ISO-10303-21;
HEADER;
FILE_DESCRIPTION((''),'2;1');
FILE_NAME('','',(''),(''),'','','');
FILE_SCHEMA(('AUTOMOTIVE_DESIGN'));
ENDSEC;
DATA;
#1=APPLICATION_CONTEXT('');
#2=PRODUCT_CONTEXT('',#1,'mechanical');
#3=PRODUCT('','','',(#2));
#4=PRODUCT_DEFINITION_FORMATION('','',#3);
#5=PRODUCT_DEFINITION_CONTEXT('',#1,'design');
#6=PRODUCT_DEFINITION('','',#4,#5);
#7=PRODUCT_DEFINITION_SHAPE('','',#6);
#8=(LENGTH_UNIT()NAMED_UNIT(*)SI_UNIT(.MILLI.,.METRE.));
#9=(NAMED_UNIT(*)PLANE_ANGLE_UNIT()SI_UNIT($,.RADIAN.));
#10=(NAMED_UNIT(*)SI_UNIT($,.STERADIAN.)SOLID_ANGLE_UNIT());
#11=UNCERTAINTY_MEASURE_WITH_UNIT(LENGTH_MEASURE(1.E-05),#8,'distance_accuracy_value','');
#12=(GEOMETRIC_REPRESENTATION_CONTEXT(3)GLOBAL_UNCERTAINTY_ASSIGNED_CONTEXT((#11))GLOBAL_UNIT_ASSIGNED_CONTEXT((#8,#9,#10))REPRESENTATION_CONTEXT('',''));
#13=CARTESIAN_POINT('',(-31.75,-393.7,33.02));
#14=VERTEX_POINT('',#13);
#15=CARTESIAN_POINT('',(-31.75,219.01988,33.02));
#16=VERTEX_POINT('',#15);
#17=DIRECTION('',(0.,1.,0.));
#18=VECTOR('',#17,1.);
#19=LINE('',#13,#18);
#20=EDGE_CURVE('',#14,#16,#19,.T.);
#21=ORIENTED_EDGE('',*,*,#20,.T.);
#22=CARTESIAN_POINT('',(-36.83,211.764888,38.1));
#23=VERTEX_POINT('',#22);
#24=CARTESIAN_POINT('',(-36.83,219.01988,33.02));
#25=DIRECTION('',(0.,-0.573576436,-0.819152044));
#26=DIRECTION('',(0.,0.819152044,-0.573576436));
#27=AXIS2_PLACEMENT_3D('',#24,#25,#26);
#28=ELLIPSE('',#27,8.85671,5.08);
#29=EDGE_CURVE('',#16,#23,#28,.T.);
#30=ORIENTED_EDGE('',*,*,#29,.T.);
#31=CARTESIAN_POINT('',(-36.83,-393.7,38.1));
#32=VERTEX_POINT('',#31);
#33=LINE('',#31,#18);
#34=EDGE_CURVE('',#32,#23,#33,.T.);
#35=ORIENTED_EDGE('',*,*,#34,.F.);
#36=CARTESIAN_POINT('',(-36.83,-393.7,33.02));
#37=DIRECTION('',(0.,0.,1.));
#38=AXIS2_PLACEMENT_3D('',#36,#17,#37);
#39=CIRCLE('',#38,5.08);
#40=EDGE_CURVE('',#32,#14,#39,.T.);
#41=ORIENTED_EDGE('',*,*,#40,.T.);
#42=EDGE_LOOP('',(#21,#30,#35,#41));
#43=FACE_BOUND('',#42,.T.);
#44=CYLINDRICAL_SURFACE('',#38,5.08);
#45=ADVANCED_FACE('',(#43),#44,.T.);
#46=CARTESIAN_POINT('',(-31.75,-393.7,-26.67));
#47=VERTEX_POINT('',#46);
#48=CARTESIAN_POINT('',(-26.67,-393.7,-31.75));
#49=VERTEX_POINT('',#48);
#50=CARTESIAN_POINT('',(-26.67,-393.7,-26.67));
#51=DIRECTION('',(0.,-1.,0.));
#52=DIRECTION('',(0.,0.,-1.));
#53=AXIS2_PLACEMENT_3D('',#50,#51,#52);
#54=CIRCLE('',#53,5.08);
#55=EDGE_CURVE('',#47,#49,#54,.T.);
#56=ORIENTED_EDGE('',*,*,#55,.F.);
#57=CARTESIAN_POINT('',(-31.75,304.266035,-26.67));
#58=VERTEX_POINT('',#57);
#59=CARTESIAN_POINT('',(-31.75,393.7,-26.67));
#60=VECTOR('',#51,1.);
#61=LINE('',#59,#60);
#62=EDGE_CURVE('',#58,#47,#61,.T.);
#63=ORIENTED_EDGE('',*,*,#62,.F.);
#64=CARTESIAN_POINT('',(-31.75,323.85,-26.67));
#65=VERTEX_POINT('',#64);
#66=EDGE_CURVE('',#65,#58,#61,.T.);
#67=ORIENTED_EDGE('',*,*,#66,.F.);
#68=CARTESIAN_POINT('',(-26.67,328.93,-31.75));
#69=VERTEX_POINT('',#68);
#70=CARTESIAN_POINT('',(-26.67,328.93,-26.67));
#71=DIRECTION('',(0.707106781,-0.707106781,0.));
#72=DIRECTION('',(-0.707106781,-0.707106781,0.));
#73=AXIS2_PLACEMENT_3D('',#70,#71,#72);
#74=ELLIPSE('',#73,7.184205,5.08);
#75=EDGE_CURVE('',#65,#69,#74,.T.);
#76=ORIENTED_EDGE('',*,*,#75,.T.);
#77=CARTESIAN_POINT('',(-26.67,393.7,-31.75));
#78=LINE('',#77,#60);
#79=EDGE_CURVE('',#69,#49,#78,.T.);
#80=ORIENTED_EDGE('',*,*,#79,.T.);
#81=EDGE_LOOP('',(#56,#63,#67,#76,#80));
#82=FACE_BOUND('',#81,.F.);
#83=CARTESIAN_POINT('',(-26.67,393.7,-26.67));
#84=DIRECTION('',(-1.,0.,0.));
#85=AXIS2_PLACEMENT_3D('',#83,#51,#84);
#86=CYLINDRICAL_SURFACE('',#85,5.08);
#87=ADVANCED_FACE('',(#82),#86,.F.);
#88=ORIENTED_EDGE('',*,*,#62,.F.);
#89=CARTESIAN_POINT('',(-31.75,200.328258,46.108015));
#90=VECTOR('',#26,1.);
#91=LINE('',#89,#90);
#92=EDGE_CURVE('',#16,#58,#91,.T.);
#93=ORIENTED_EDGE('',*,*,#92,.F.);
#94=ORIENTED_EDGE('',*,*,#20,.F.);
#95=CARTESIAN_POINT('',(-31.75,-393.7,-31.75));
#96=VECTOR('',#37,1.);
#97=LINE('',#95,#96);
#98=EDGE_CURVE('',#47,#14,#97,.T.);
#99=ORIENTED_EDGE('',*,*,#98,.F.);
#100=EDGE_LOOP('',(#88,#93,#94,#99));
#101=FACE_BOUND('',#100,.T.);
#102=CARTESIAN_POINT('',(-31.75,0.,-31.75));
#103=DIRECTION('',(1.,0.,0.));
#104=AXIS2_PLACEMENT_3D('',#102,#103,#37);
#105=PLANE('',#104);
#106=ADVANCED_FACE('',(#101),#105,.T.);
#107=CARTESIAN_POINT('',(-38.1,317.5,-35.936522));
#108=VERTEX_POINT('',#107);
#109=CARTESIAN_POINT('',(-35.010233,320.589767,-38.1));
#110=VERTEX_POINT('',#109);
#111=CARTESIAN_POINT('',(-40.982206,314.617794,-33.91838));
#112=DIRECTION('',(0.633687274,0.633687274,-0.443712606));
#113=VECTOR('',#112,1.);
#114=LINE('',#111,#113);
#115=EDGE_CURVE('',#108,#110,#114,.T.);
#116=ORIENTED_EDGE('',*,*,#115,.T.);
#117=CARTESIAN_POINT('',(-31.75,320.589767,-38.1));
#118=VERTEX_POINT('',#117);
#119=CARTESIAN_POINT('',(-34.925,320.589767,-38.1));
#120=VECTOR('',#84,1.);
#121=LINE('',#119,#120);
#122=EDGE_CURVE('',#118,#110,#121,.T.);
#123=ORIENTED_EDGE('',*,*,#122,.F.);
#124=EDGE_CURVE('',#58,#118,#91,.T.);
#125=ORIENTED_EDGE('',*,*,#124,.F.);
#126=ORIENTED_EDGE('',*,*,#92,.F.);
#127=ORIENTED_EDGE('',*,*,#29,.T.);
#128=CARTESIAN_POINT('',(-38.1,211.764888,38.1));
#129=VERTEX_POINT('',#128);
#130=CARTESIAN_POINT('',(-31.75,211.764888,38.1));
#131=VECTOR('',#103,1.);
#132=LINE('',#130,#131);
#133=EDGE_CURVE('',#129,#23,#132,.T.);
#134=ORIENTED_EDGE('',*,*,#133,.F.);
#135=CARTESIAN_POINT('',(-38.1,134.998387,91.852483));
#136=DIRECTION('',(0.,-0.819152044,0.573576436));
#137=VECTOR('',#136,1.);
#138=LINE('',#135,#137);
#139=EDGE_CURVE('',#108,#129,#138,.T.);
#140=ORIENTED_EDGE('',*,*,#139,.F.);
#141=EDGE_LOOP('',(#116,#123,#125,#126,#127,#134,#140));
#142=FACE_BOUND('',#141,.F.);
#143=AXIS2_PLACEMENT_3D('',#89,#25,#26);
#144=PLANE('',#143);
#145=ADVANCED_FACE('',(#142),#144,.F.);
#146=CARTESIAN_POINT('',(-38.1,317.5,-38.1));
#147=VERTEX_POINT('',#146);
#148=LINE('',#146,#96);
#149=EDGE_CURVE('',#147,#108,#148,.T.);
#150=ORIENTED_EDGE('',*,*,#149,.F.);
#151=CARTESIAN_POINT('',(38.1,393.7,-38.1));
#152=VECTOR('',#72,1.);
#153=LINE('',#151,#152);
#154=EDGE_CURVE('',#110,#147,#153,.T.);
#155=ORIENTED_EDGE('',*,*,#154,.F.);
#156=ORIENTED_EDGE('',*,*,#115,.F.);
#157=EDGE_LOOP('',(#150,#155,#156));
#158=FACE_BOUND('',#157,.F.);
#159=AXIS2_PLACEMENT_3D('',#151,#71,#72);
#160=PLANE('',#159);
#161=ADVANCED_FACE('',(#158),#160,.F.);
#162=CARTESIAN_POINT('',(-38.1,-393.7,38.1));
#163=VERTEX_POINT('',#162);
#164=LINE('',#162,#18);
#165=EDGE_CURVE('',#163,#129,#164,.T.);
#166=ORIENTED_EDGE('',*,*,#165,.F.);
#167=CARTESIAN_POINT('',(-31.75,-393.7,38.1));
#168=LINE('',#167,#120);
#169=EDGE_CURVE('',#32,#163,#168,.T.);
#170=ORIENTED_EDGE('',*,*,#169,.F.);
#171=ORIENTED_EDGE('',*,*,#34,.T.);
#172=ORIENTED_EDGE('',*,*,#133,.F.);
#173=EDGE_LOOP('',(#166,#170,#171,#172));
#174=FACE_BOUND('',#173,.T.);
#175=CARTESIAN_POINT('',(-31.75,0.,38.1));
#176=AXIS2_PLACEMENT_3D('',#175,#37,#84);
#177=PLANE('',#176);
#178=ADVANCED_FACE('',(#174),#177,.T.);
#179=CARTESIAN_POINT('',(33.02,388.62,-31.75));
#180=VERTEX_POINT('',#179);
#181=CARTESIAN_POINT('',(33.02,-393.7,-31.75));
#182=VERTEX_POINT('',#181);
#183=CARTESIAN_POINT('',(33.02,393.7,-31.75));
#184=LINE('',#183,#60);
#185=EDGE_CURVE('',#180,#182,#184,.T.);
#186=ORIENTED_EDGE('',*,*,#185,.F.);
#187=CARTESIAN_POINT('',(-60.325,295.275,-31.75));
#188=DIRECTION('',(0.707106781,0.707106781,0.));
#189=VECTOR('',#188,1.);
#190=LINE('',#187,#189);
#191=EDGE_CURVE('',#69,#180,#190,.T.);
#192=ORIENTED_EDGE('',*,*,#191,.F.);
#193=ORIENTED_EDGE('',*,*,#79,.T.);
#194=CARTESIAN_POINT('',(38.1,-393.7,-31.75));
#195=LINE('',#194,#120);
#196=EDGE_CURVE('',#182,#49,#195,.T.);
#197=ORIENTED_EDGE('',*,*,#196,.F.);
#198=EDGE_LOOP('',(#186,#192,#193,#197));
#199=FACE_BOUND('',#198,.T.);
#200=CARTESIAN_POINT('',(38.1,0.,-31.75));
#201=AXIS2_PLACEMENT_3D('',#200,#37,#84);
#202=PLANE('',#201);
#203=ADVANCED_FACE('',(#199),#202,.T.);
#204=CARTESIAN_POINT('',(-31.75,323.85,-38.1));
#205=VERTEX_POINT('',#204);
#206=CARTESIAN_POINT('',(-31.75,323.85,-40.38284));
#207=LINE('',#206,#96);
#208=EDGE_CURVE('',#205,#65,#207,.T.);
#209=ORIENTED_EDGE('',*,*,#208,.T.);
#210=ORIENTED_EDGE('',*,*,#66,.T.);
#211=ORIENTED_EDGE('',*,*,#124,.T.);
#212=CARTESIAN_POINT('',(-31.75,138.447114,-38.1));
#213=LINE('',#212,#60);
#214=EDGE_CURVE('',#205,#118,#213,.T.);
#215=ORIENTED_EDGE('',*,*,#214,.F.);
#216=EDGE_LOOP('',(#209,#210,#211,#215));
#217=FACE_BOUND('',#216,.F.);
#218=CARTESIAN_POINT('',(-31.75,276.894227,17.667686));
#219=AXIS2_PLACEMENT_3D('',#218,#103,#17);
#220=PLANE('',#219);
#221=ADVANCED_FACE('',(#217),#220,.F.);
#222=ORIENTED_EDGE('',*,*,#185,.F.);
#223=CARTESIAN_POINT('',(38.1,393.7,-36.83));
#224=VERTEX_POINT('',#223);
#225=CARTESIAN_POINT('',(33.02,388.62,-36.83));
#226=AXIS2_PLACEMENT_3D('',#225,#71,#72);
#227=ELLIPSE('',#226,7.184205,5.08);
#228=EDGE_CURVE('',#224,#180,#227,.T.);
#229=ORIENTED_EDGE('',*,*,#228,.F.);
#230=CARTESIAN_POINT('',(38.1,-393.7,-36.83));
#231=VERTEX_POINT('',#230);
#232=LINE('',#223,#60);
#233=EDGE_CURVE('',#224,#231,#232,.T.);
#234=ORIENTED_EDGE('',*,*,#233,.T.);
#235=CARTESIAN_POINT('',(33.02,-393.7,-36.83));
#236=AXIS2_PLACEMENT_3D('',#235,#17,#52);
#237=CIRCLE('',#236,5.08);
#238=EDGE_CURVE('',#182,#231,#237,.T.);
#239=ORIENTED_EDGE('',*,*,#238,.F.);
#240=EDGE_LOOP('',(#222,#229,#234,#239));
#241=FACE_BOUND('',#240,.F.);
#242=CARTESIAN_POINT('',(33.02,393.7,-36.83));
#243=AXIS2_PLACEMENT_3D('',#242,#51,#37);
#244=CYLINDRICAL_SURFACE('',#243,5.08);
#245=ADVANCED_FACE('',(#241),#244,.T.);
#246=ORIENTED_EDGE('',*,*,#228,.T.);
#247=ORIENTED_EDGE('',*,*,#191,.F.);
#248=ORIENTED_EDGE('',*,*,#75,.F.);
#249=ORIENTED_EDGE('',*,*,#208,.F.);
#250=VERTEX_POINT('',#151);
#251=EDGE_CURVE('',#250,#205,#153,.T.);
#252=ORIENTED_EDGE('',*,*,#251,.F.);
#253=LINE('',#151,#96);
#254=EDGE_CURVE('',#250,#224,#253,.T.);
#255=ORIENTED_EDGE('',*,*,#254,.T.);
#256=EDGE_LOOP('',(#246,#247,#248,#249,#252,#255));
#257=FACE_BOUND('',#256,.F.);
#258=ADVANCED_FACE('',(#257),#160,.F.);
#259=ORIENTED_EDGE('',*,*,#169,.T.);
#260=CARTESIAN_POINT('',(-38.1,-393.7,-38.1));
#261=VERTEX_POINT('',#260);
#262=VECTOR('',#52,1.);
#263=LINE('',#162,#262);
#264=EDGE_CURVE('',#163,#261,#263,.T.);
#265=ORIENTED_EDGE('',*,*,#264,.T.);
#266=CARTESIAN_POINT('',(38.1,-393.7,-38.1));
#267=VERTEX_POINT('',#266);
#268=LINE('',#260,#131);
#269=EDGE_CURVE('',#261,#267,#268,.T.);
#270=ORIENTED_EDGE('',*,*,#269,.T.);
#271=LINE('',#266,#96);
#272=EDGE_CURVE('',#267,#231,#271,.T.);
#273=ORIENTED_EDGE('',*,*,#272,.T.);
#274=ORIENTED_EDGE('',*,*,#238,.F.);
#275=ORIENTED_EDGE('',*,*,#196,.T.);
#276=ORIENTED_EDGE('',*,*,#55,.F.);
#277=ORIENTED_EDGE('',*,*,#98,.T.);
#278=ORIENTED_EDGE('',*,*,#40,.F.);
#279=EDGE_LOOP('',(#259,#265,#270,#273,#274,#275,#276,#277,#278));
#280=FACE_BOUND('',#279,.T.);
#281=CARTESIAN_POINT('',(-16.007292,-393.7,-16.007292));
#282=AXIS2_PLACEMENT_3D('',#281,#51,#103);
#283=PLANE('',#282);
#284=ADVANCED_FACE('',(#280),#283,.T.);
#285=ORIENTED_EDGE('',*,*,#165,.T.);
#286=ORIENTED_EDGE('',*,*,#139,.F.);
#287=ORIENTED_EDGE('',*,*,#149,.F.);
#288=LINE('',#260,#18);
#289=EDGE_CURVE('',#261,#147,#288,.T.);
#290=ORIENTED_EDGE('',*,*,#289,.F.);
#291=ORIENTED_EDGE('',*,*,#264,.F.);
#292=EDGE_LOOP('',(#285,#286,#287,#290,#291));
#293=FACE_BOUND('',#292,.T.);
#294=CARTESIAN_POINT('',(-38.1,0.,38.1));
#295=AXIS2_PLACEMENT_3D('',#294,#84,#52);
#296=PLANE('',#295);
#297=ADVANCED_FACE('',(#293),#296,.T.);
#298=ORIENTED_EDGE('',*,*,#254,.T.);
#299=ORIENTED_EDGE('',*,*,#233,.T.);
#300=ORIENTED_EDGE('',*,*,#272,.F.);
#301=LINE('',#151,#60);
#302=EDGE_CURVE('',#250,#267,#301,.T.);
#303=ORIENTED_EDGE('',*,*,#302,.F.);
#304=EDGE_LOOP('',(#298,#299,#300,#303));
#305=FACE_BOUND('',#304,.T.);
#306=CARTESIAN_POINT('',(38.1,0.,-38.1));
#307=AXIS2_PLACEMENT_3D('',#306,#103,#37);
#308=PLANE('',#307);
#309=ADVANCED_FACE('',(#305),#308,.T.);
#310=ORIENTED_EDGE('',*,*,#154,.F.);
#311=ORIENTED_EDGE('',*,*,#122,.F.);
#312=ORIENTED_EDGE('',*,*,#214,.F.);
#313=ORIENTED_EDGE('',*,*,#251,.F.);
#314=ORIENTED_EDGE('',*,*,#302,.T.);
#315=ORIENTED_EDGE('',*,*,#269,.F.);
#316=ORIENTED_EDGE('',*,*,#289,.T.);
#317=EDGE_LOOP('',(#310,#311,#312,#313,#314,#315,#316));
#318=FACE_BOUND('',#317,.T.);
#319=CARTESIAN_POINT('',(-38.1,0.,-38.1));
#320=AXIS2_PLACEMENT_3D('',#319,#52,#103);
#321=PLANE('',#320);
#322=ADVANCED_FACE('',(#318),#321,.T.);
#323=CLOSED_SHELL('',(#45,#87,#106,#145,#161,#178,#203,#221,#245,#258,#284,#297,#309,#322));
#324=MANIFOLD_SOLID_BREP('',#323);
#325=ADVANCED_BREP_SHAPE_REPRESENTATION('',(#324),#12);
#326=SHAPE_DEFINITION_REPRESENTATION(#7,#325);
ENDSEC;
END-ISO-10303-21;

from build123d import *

# Parameters (mm, degrees)
F1_DEPTH = 393.7
F2_R     = 5.08
F4_DEPTH = 76.2
F6_DEPTH = 25.4


with BuildPart() as f1:
    # F0 (on Front) → F1 (new body, symmetric)
    with BuildSketch(Plane.XZ):
        Polygon((-38.1, -38.1), (38.1, -38.1), (38.1, -31.75), (-31.75, -31.75), (-31.75, 38.1), (-38.1, 38.1), align=None)
    extrude(amount=F1_DEPTH, both=True)

    # F2
    f2_edges = [f1.edges().sort_by_distance(p)[0] for p in [
        (-31.75, 0, 38.1),
        (-31.75, 0, -31.75),
        (38.1, 0, -31.75),
    ]]
    fillet(f2_edges, radius=F2_R)

    # F3 (on face) → F4 (cut)
    with BuildSketch(Plane(origin=(0, 0, -38.1), x_dir=(1, 0, 0), z_dir=(0, 0, -1))):
        Polygon((-38.1, -393.7), (38.1, -393.7), (-38.1, -317.5), align=None)
    extrude(amount=-F4_DEPTH, mode=Mode.SUBTRACT)

    # F5 (on face) → F6 (cut)
    with BuildSketch(Plane.YZ.offset(-31.75)):
        Polygon((200.3282578849, 46.1080149466), (323.85, -40.3828400151), (323.85, 46.1080149466), align=None)
    extrude(amount=-F6_DEPTH, mode=Mode.SUBTRACT)


solid = f1.part
